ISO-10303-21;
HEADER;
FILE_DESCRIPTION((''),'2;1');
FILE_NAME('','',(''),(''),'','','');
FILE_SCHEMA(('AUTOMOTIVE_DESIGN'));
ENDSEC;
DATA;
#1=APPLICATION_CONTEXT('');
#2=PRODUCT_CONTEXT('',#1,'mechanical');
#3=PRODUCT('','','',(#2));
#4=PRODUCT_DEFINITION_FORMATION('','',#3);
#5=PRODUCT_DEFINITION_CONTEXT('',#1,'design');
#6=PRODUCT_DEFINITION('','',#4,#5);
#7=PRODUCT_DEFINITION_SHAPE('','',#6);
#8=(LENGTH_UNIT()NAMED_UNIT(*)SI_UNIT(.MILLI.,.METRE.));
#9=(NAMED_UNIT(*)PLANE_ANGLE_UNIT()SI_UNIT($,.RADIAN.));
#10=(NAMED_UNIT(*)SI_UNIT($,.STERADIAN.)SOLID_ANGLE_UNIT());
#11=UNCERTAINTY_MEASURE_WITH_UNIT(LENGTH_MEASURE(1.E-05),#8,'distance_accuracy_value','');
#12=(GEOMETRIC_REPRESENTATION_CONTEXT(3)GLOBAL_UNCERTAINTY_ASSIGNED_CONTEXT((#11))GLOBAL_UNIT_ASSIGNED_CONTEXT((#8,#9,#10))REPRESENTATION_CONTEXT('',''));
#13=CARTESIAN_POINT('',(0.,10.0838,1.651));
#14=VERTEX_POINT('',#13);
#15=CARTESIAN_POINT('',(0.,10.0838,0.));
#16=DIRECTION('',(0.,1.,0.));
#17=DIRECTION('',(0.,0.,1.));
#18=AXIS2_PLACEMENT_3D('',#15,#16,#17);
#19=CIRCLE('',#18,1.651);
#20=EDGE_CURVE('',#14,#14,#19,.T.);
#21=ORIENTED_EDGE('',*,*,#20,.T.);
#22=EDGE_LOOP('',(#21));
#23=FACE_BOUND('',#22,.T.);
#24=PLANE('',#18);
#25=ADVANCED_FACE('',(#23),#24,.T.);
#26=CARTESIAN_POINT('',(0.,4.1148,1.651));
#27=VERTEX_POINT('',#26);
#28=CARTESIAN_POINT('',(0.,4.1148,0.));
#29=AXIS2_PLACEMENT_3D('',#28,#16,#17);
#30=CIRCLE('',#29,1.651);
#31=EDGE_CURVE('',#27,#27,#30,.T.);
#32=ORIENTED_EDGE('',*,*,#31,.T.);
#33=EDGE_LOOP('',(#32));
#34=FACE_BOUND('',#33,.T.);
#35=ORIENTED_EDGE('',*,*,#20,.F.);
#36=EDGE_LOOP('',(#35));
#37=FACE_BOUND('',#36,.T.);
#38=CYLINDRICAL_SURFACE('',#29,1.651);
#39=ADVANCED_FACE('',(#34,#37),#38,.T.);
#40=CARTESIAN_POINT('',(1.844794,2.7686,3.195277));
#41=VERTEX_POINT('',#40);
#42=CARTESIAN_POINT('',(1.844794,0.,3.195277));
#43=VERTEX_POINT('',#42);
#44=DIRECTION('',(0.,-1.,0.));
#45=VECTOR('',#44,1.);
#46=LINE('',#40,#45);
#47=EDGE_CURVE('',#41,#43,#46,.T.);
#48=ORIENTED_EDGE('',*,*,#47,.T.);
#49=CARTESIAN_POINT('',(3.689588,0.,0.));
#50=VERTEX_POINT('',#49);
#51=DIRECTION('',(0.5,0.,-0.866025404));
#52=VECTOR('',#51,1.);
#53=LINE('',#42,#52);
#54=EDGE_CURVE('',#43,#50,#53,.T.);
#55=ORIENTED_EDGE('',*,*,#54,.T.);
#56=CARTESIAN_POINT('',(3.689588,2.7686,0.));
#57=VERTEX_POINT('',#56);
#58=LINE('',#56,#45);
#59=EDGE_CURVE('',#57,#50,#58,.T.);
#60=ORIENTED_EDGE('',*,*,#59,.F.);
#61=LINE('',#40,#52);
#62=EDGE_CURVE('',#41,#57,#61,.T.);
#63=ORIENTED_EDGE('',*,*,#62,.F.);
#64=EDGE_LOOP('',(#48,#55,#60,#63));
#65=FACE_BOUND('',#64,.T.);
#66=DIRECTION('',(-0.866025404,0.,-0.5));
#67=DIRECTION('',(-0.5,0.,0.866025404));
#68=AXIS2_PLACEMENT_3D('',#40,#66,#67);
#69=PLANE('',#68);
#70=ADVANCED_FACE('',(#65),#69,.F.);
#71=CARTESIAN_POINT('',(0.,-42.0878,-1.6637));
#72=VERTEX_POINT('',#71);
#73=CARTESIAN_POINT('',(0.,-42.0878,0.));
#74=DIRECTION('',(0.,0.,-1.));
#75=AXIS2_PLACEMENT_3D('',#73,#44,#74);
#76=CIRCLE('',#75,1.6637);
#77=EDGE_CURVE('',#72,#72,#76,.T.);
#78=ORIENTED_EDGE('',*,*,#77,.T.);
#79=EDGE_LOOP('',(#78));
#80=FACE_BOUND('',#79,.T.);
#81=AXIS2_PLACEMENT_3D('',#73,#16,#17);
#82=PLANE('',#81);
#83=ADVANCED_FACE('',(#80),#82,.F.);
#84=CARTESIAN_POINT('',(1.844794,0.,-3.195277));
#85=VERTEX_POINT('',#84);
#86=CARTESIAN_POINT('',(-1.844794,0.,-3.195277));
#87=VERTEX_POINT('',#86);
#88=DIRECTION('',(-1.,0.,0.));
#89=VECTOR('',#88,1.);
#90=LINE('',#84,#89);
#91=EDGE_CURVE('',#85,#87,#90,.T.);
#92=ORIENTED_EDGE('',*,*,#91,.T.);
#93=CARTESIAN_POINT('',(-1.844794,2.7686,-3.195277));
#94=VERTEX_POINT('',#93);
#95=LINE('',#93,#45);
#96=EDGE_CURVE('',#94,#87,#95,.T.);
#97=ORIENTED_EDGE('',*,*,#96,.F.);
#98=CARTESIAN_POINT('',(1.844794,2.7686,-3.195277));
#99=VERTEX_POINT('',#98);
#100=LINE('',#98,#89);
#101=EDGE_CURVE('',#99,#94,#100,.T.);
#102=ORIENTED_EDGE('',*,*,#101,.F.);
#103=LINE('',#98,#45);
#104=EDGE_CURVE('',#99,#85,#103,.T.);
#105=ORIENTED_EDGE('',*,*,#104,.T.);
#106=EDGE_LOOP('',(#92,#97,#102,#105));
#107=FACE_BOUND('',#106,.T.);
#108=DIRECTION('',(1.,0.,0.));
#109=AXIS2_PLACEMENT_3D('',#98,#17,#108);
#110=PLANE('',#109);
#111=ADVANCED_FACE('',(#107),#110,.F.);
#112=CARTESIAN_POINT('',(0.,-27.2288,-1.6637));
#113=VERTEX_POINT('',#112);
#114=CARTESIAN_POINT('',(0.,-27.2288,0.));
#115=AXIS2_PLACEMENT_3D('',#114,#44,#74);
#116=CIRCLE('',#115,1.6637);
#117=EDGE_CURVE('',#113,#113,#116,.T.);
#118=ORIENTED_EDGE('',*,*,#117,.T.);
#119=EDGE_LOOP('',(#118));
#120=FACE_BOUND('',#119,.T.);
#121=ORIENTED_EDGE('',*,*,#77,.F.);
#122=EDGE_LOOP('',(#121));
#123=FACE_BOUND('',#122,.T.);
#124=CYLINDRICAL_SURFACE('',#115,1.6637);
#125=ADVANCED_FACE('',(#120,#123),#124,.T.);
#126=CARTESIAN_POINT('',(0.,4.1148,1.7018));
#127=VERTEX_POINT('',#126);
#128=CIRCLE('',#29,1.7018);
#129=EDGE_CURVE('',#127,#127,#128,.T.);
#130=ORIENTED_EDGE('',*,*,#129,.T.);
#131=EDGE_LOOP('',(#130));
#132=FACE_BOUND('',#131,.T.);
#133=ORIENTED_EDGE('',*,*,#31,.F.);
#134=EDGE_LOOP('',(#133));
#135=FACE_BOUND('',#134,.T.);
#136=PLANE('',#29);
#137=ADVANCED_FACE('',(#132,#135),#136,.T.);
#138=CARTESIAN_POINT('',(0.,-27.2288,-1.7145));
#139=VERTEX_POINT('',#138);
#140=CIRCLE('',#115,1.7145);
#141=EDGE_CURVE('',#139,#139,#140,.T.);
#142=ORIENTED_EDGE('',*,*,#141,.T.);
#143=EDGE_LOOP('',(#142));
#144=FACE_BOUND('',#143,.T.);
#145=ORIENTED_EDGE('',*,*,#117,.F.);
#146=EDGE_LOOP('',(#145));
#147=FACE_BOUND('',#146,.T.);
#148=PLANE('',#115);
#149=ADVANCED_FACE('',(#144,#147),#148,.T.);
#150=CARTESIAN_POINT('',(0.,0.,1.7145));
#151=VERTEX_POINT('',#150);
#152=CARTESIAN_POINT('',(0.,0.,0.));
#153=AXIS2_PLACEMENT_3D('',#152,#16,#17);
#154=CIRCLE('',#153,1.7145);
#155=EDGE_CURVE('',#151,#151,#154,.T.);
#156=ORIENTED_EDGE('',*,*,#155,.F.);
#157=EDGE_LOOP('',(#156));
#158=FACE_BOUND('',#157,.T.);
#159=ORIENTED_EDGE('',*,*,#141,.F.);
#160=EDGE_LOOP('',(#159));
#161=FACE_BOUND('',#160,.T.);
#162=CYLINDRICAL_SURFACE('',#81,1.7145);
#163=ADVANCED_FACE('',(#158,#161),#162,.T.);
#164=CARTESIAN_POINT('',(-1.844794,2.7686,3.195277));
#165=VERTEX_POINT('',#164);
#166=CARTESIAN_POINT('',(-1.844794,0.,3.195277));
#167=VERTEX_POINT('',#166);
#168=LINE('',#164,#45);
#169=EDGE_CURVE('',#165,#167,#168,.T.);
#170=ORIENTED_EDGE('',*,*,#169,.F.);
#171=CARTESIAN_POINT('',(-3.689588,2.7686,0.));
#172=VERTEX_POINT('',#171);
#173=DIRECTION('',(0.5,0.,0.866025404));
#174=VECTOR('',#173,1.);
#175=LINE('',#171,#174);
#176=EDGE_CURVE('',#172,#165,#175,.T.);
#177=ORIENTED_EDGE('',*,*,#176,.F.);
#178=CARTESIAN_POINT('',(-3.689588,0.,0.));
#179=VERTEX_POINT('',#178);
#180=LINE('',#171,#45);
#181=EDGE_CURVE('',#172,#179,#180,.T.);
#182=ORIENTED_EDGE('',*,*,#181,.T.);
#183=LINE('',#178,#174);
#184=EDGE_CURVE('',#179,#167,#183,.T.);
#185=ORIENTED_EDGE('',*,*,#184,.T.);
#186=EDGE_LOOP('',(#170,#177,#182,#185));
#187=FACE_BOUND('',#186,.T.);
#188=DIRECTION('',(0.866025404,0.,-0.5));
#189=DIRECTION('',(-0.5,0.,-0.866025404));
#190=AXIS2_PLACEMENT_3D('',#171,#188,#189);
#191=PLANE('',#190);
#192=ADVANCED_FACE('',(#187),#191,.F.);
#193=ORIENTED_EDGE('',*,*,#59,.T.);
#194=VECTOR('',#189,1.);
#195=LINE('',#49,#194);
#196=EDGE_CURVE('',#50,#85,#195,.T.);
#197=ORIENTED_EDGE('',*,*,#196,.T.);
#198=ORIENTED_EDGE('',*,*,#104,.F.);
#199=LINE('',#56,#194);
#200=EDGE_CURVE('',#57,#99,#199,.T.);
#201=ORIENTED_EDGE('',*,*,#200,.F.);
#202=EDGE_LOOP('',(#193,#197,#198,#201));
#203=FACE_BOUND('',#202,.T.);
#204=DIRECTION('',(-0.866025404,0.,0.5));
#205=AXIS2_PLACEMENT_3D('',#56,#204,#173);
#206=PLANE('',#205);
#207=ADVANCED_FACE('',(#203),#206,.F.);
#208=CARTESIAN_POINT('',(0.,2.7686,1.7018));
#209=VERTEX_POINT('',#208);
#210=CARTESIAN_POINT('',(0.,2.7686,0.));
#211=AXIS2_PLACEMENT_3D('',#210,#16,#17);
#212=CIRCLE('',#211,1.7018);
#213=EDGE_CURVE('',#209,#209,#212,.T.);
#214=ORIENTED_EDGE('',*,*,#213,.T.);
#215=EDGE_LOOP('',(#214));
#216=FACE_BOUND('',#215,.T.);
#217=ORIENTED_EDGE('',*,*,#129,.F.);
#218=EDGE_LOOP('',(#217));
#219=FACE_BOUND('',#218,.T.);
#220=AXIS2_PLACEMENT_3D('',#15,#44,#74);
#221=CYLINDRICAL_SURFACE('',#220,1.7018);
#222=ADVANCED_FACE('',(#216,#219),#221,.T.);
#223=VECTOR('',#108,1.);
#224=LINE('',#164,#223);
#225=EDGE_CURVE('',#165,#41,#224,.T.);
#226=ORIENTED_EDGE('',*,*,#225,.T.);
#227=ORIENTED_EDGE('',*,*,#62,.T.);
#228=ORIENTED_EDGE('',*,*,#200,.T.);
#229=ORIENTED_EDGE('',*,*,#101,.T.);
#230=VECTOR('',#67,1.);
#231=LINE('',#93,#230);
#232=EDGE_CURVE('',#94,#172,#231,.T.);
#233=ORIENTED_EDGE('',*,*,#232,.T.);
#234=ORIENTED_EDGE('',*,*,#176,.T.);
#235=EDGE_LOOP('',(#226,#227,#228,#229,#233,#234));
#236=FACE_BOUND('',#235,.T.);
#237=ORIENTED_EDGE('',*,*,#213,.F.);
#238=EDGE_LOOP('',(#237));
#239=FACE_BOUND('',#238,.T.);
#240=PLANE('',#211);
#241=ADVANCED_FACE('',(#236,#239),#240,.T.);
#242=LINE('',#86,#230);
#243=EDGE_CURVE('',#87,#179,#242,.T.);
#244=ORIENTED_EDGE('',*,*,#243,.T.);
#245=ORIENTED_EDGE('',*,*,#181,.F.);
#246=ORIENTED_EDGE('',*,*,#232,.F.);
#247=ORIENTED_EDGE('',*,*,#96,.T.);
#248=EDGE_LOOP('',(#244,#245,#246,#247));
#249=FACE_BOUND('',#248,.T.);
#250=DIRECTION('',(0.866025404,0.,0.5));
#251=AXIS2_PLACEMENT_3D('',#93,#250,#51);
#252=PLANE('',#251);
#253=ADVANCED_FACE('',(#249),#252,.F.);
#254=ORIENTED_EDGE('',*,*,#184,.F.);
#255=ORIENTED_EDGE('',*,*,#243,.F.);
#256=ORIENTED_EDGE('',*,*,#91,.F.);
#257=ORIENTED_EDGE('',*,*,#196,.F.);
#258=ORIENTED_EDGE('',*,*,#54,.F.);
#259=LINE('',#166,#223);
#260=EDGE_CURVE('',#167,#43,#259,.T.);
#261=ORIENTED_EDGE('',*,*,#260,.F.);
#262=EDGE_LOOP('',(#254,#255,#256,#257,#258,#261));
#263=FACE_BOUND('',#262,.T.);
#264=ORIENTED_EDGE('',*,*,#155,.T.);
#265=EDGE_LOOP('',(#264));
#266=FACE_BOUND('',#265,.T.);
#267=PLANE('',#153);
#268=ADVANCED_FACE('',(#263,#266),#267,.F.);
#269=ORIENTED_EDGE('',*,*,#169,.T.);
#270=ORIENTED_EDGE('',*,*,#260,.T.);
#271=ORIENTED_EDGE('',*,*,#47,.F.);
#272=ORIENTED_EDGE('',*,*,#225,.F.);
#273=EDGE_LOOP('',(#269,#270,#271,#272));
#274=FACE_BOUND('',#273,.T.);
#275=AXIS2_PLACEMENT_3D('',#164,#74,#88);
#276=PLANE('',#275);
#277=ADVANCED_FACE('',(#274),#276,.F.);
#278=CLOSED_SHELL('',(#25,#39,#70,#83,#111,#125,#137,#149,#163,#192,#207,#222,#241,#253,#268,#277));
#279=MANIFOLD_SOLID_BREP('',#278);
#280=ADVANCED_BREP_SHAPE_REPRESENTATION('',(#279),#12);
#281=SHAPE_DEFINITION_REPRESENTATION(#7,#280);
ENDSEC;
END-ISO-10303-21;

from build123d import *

# Parameters (mm, degrees)
SKETCH1_R           = 1.7145
BOSS_EXTRUDE1_DEPTH = 42.0878
BOSS_EXTRUDE2_DEPTH = 2.7686
SKETCH3_R           = 1.7018
BOSS_EXTRUDE3_DEPTH = 7.3152
SKETCH4_R           = 1.7018
SKETCH4_R_2         = 1.651
CUT_EXTRUDE1_DEPTH  = 5.969
SKETCH5_R           = 1.7145
SKETCH5_R_2         = 1.6637
CUT_EXTRUDE2_DEPTH  = 14.859


with BuildPart() as part:
    # Sketch1 → Boss-Extrude1 (new body)
    with BuildSketch(Plane(origin=(0, 0, 0), x_dir=(1, 0, 0), z_dir=(0, 1, 0))):
        with Locations(Location((0, 0, 0), (0, 0, 270))):  # turned: the seam where the file's is
            Circle(SKETCH1_R)
    extrude(amount=-BOSS_EXTRUDE1_DEPTH)

    # Sketch2 → Boss-Extrude2 (add)
    with BuildSketch(Plane(origin=(0, 0, 0), x_dir=(1, 0, 0), z_dir=(0, 1, 0))):
        Polygon((1.844793874, 3.195276719), (-1.844793874, 3.195276719), (-3.689587747, 0), (-1.844793874, -3.195276719), (1.844793874, -3.195276719), (3.689587747, 0), align=None)
    extrude(amount=BOSS_EXTRUDE2_DEPTH)

    # Sketch3 → Boss-Extrude3 (add)
    with BuildSketch(Plane(origin=(0, 2.7686, 0), x_dir=(1, 0, 0), z_dir=(0, 1, 0))):
        with Locations(Location((0, 0, 0), (0, 0, 270))):  # turned: the seam where the file's is
            Circle(SKETCH3_R)
    extrude(amount=BOSS_EXTRUDE3_DEPTH)

    # Sketch4 → Cut-Extrude1 (cut)
    with BuildSketch(Plane(origin=(0, 10.0838, 0), x_dir=(1, 0, 0), z_dir=(0, 1, 0))):
        with Locations(Location((0, 0, 0), (0, 0, 270))):  # turned: the seam where the file's is
            Circle(SKETCH4_R)
        with Locations(Location((0, 0, 0), (0, 0, 270))):  # turned: the seam where the file's is
            Circle(SKETCH4_R_2, mode=Mode.SUBTRACT)
    extrude(amount=-CUT_EXTRUDE1_DEPTH, mode=Mode.SUBTRACT)

    # Sketch5 → Cut-Extrude2 (cut)
    with BuildSketch(Plane.XZ.offset(42.0878)):
        with Locations(Location((0, 0, 0), (0, 0, 90))):  # turned: the seam where the file's is
            Circle(SKETCH5_R)
        with Locations(Location((0, 0, 0), (0, 0, 270))):  # turned: the seam where the file's is
            Circle(SKETCH5_R_2, mode=Mode.SUBTRACT)
    extrude(amount=-CUT_EXTRUDE2_DEPTH, mode=Mode.SUBTRACT)


solid = part.part
